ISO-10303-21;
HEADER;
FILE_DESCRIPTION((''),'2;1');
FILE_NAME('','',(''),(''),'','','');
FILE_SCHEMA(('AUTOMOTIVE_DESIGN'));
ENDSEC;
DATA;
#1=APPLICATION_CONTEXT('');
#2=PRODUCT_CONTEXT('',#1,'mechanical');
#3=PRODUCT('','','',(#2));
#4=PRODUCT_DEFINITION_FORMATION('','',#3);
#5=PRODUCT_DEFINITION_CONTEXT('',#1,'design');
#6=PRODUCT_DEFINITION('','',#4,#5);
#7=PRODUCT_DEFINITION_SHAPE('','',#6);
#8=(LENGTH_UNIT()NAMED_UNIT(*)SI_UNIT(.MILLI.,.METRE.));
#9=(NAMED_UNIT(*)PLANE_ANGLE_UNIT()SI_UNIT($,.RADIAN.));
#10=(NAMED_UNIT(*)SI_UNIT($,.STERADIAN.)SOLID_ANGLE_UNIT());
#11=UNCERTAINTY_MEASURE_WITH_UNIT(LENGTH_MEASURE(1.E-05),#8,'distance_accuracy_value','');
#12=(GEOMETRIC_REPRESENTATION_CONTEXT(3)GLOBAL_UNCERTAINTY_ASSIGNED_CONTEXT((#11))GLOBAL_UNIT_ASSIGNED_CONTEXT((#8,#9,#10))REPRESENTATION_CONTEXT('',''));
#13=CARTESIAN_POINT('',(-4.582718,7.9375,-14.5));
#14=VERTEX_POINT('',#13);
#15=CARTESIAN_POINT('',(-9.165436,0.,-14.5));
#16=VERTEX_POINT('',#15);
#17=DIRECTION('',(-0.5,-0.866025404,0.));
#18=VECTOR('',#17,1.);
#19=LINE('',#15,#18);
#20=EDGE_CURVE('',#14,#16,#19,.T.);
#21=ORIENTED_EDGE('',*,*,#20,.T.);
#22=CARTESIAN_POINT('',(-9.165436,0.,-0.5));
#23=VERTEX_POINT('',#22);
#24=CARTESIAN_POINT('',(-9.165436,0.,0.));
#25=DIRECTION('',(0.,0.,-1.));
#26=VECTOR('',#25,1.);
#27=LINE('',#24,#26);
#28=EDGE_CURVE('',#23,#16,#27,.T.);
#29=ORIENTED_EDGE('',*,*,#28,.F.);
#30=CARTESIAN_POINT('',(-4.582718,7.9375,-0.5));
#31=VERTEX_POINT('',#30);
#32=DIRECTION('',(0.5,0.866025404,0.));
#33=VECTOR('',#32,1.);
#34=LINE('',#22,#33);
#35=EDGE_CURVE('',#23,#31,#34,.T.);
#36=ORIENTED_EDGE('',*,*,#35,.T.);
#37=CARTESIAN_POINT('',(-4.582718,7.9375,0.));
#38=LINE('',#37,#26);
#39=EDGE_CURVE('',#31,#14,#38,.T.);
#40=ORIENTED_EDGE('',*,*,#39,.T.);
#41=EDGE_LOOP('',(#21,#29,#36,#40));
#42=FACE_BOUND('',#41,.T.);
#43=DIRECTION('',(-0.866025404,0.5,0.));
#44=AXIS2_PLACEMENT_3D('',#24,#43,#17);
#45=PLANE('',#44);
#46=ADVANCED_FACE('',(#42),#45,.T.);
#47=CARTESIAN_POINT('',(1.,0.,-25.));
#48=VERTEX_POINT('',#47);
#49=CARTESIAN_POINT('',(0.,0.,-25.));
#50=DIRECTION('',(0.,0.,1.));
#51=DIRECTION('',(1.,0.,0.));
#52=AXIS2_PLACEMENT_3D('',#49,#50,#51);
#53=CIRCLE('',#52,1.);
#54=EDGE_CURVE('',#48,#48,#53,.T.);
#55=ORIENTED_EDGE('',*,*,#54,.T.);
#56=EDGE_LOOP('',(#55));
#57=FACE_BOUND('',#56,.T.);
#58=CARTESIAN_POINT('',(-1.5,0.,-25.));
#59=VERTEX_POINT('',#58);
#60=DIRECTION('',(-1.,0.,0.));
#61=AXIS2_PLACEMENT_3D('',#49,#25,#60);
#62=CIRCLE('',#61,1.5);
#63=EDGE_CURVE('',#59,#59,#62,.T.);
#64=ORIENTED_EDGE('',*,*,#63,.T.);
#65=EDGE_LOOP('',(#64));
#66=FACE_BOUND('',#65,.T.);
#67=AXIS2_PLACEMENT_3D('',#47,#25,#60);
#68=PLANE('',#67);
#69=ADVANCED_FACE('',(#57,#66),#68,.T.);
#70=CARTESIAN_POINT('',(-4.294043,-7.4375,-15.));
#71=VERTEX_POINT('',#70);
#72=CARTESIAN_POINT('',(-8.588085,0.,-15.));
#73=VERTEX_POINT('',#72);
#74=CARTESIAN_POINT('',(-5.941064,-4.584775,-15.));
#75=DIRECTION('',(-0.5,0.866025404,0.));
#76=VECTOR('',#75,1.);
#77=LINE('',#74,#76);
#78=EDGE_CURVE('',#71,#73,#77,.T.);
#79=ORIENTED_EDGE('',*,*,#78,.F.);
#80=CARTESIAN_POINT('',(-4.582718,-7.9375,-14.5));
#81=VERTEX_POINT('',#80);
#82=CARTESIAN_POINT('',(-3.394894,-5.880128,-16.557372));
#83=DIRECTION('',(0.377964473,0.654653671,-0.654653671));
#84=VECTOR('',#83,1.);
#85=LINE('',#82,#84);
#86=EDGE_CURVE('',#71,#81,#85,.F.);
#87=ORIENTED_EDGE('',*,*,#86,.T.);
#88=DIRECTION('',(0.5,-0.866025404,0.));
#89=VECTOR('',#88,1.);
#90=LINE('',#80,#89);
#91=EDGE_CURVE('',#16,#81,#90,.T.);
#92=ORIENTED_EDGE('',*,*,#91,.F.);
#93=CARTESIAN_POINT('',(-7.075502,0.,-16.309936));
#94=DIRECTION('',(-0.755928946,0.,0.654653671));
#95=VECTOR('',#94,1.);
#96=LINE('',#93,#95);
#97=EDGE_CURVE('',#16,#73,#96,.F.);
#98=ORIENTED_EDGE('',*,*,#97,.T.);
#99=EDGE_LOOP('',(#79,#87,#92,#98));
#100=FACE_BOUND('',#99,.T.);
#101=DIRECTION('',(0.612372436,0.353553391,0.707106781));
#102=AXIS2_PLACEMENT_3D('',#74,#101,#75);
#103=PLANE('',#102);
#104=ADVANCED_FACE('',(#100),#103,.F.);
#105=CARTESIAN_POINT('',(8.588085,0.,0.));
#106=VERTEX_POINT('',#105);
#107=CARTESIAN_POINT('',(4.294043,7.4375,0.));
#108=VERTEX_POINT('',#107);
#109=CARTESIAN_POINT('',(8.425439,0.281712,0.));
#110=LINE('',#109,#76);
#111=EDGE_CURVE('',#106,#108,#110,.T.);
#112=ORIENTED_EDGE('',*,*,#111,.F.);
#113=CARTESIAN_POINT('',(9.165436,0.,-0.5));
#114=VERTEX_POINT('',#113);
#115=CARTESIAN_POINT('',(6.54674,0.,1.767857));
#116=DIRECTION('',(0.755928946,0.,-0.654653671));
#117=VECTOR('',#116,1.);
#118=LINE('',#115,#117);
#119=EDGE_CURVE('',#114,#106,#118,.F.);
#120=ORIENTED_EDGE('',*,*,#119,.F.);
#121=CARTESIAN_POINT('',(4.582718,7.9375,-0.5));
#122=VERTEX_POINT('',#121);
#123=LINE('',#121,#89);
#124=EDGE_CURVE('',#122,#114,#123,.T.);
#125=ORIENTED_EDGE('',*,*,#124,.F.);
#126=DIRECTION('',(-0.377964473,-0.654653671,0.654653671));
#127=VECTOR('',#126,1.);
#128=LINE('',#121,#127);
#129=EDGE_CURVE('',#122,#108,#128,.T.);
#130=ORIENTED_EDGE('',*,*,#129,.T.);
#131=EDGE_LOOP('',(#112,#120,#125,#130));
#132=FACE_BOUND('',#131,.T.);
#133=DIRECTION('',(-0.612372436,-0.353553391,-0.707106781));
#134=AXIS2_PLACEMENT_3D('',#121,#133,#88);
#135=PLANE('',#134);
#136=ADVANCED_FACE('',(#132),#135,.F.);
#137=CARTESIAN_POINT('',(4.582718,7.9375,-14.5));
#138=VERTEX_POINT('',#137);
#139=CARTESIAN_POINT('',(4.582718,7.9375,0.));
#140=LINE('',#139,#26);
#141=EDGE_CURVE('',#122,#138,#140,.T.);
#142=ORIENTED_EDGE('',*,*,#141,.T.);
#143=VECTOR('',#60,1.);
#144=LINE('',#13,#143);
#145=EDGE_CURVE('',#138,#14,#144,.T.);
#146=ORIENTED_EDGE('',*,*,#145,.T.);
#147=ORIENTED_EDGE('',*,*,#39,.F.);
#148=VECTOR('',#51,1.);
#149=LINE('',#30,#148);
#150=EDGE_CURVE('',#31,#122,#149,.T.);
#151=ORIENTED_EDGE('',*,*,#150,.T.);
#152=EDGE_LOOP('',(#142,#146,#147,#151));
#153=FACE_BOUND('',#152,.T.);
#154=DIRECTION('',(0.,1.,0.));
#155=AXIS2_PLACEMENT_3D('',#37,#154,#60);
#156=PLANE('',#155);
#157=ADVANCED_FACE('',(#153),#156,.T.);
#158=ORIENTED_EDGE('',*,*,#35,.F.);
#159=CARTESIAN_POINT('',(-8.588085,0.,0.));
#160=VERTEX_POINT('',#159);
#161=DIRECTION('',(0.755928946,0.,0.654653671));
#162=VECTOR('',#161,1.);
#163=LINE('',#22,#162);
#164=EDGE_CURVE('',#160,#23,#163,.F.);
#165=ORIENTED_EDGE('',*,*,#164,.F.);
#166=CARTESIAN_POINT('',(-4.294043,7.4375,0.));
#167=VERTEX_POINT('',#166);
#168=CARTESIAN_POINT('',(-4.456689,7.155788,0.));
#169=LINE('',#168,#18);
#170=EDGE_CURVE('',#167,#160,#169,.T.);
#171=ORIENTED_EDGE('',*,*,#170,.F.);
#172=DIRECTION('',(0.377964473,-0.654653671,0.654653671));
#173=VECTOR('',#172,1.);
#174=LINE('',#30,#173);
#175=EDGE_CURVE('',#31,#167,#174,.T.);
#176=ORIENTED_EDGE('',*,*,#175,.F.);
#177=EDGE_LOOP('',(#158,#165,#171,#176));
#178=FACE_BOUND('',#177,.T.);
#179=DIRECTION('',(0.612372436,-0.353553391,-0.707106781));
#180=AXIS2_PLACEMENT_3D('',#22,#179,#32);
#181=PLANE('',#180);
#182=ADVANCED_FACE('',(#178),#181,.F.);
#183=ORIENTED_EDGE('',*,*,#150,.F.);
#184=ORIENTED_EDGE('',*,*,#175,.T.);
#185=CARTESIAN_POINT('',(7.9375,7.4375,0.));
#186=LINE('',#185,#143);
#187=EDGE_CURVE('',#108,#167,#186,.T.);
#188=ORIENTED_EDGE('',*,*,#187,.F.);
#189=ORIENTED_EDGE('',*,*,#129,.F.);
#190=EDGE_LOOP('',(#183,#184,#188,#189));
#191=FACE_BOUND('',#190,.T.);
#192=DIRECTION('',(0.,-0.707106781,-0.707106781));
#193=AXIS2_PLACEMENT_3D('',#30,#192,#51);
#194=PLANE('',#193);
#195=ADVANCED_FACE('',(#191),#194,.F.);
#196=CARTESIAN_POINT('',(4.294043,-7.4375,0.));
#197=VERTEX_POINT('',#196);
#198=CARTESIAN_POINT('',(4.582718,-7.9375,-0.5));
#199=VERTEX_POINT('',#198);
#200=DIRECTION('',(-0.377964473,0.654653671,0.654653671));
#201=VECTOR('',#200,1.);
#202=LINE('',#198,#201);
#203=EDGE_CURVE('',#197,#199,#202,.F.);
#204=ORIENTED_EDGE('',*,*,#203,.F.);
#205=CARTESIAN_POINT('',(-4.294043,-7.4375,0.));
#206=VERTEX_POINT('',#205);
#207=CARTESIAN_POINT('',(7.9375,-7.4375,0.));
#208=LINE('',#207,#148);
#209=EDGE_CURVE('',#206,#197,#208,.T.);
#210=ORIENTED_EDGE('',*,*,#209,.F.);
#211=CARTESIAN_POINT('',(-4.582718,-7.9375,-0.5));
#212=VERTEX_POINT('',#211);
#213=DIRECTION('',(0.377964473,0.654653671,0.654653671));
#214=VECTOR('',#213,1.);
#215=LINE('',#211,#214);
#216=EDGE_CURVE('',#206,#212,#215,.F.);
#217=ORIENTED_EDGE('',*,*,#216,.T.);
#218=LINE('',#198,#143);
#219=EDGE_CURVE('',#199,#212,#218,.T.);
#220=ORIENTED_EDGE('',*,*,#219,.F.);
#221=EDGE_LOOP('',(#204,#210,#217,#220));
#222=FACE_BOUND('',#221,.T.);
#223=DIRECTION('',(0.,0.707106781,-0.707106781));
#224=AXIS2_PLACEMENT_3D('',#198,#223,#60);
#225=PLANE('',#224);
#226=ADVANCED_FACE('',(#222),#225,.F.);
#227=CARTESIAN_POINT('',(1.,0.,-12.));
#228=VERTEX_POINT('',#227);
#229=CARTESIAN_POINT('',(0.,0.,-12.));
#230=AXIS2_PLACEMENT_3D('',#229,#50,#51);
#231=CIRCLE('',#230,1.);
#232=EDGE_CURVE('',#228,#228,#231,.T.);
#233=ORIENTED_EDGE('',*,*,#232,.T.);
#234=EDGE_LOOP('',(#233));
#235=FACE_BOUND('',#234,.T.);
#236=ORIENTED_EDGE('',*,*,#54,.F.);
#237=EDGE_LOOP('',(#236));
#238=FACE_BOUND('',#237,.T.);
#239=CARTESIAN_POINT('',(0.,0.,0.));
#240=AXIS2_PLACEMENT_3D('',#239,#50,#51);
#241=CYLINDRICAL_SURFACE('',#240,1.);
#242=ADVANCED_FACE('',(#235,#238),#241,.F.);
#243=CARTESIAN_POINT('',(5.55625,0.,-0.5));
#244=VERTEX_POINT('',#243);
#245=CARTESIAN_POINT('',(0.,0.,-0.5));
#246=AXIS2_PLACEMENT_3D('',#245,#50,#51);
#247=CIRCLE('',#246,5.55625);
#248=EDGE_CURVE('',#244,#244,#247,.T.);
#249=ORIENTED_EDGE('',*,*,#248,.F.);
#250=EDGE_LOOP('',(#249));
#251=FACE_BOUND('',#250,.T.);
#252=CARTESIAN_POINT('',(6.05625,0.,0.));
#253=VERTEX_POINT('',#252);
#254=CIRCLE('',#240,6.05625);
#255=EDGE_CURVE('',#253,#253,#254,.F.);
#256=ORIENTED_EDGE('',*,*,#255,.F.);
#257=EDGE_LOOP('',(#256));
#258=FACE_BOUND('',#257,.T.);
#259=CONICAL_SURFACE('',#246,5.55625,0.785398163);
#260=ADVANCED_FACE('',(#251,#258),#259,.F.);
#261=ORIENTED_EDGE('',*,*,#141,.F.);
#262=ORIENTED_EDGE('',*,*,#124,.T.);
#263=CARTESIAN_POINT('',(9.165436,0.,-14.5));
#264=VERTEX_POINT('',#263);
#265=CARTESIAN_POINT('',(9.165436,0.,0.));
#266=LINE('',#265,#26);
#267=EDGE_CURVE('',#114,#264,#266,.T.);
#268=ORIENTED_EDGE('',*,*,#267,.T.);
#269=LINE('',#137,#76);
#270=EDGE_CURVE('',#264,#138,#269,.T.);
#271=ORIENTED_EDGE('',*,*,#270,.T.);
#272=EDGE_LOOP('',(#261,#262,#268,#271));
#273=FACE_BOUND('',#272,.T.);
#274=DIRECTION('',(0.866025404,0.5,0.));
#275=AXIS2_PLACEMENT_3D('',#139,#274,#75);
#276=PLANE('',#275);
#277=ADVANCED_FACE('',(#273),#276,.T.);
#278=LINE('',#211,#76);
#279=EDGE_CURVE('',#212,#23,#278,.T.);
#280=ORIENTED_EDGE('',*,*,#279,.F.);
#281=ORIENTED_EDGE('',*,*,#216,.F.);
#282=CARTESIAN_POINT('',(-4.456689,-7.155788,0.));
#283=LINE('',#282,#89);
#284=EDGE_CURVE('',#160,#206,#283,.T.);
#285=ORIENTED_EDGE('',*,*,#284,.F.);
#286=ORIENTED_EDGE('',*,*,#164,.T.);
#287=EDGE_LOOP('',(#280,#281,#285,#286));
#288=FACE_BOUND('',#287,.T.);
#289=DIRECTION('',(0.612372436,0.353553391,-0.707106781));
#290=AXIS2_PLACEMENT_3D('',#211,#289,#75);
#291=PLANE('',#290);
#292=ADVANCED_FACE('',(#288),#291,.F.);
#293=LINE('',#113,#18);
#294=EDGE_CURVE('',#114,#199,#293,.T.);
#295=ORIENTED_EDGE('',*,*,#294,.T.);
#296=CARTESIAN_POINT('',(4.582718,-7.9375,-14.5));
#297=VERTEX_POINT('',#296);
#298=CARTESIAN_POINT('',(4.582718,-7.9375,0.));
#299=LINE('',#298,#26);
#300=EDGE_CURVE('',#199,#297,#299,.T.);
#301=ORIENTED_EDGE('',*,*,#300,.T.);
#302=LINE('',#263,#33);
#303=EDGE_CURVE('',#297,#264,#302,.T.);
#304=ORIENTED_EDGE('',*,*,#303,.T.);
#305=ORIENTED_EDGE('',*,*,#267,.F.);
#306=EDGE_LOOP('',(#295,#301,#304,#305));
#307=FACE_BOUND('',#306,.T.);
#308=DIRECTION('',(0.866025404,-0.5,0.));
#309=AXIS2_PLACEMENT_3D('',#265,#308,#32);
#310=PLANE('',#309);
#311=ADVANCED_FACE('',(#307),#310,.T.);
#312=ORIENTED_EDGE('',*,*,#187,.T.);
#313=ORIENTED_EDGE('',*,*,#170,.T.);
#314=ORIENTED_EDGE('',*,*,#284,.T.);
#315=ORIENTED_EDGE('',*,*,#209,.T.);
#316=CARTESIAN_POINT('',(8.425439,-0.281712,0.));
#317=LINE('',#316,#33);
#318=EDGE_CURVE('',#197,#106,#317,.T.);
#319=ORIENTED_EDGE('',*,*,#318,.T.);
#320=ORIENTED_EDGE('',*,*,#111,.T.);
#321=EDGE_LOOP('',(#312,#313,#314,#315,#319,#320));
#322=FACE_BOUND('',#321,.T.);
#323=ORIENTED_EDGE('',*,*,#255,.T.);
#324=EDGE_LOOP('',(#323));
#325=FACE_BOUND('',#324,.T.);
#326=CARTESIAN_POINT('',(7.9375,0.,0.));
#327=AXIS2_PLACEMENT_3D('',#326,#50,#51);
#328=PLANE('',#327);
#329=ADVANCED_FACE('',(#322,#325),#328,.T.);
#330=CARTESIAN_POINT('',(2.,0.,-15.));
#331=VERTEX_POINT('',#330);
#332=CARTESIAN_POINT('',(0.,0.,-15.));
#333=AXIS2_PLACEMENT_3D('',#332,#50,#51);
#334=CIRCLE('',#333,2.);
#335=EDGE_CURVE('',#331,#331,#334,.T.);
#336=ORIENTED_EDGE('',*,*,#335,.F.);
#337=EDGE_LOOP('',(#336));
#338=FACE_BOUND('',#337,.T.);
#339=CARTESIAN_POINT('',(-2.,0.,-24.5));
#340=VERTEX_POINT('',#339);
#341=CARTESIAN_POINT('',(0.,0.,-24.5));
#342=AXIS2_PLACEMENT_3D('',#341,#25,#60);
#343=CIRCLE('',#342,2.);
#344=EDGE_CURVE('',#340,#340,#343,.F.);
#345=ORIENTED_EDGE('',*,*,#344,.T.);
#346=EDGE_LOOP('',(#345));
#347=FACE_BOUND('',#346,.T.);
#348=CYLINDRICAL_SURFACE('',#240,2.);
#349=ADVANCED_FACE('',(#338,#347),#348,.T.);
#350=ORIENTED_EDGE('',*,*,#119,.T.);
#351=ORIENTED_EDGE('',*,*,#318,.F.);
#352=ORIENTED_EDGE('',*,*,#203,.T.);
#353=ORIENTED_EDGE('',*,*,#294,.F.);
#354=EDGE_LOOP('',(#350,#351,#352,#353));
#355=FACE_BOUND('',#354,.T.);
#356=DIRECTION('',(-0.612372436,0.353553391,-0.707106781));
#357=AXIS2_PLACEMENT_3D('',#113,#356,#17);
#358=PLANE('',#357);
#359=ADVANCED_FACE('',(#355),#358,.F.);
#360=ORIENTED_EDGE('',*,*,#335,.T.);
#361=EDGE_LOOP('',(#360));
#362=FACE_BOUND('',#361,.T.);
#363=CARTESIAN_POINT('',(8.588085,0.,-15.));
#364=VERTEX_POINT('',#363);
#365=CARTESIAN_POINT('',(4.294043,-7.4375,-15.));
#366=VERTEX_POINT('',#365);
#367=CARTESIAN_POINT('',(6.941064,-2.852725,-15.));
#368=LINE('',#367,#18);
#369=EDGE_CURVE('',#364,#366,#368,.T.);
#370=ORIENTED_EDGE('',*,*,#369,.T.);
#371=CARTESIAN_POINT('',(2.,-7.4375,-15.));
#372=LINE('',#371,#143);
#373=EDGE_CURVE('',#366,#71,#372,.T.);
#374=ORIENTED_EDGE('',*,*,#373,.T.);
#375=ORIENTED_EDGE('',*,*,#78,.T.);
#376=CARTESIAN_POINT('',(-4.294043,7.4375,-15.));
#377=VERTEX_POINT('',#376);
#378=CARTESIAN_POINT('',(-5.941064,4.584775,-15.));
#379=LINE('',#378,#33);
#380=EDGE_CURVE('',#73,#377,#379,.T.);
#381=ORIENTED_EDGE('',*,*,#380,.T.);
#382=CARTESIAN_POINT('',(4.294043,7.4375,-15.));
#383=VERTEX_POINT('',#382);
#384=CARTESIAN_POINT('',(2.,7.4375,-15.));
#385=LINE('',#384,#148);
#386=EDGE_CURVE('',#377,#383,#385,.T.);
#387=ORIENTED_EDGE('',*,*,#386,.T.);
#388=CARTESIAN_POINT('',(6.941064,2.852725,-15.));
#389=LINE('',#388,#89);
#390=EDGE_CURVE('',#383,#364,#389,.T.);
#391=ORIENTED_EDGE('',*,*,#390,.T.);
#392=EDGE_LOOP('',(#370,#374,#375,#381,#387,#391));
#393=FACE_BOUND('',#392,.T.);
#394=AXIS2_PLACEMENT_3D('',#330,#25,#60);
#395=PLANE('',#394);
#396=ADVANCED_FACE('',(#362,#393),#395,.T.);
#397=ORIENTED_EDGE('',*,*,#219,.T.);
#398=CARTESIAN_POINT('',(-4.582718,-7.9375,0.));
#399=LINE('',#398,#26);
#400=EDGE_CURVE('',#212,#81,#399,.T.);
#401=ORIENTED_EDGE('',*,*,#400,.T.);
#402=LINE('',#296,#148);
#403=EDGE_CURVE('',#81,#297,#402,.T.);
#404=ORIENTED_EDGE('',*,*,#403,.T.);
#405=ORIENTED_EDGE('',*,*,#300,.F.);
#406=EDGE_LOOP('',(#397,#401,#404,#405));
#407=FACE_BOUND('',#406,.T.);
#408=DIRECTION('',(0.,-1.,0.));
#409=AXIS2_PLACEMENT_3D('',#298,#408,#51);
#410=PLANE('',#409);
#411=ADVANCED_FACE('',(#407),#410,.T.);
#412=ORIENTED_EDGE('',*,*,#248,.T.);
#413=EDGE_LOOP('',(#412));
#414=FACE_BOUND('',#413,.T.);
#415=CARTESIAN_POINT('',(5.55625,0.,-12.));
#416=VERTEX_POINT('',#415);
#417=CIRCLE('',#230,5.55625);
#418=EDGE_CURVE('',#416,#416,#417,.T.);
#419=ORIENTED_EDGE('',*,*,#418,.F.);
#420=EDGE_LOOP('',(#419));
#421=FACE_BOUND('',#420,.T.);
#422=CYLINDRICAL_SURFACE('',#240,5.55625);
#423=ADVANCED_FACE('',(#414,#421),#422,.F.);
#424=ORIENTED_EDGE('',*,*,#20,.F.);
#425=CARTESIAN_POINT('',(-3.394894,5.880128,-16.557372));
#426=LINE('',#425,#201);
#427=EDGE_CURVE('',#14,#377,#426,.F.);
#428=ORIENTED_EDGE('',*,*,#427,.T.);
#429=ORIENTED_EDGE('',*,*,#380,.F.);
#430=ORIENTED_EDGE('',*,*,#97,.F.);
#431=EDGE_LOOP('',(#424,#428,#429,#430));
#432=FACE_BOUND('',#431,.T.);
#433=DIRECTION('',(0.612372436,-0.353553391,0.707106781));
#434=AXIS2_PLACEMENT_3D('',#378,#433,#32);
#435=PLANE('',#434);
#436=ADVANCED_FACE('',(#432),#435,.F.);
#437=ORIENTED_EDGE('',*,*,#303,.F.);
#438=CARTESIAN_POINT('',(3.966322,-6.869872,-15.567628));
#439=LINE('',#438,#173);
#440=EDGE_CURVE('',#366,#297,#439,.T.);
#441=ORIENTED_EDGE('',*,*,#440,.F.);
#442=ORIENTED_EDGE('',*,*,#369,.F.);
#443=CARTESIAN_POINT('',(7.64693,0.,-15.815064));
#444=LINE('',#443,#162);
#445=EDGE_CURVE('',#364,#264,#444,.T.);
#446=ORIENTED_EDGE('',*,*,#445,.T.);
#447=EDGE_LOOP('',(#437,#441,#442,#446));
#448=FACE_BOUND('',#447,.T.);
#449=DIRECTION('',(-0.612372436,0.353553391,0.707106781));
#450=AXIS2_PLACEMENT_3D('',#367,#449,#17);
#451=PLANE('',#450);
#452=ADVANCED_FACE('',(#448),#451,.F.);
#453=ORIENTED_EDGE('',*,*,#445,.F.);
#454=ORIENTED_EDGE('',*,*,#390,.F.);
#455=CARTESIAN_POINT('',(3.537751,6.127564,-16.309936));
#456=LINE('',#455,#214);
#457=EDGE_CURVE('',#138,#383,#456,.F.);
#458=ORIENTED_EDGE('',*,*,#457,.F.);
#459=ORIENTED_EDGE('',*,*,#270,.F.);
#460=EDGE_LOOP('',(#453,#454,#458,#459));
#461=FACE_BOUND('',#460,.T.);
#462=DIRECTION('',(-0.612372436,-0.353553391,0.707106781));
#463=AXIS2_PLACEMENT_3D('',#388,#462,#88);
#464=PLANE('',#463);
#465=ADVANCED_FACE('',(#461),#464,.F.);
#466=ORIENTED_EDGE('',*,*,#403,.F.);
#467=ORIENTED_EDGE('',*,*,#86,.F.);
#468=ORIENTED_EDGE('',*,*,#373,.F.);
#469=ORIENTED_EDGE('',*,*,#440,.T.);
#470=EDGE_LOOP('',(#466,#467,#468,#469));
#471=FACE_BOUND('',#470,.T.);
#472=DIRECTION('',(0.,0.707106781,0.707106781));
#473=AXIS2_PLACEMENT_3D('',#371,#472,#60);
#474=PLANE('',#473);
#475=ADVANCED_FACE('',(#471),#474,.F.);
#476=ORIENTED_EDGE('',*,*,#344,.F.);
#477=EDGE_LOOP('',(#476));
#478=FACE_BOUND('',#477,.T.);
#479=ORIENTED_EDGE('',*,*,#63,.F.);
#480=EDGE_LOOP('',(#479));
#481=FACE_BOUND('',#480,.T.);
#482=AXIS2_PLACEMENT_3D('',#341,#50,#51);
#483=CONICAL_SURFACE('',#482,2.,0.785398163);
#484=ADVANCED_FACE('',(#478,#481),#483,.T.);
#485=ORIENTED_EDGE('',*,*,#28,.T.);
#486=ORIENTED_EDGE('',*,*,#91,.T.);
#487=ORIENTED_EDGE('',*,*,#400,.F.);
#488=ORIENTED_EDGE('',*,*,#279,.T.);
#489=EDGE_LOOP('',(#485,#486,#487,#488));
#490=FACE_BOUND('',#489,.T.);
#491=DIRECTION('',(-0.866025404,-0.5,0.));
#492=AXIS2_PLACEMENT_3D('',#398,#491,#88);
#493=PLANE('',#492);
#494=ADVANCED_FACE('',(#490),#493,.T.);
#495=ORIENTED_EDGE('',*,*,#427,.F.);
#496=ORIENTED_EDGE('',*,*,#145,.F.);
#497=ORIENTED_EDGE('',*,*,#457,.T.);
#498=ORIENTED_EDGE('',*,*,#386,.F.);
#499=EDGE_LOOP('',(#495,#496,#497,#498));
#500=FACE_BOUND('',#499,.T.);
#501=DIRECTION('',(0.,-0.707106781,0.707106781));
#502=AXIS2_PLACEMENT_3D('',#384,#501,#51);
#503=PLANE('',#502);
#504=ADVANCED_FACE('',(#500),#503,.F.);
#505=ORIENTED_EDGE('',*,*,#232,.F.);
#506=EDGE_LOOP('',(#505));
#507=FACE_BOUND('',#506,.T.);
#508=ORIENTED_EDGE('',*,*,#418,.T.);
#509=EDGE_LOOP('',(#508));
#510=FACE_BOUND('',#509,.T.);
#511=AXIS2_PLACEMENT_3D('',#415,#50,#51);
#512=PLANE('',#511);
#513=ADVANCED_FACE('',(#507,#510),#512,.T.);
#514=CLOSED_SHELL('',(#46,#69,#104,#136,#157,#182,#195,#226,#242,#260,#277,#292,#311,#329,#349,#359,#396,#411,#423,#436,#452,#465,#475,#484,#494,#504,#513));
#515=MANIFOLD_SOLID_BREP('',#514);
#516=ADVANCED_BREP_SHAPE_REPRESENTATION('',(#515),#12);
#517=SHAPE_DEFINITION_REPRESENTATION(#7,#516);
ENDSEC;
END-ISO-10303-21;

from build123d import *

# Parameters (mm, degrees)
SKETCH2_R           = 5.55625
BOSS_EXTRUDE1_DEPTH = 15
CHAMFER1_SIZE       = 0.5


with BuildPart() as part:
    # Sketch1 → Revolve1 (revolve)
    with BuildSketch(Plane(origin=(0, 0, 0), x_dir=(1, 0, 0), z_dir=(0, 1, 0))):
        Polygon((1, 25), (2, 25), (2, 15), (7.9375, 15), (7.9375, 0), (5.55625, 0), (5.55625, 12), (1, 12), align=None)
    revolve(axis=Axis((0, 0, 0), (0, 0, -1)))

    # Sketch2 → Boss-Extrude1 (add, through all)
    with BuildSketch(Plane(origin=(0, 0, -15), x_dir=(-1, 0, 0), z_dir=(0, 0, -1))):
        Polygon((9.165435523, 0), (4.582717762, 7.9375), (-4.582717762, 7.9375), (-9.165435523, 0), (-4.582717762, -7.9375), (4.582717762, -7.9375), align=None)
        with Locations(Location((0, 0, 0), (0, 0, 180))):
            Circle(SKETCH2_R, mode=Mode.SUBTRACT)
    extrude(amount=-BOSS_EXTRUDE1_DEPTH)

    # Chamfer1
    chamfer1_edges = [part.edges().sort_by_distance(p)[0] for p in [
        (-6.874076643, -3.96875, -15),
        (0, -7.9375, -15),
        (6.874076643, -3.96875, -15),
        (6.874076643, 3.96875, -15),
        (0, 7.9375, -15),
        (-6.874076643, 3.96875, -15),
        (-6.874076643, -3.96875, 0),
        (0, -7.9375, 0),
        (6.874076643, -3.96875, 0),
        (6.874076643, 3.96875, 0),
        (0, 7.9375, 0),
        (-6.874076643, 3.96875, 0),
        (-5.55625, 0, 0),
        (-2, 0, -25),
    ]]
    chamfer(chamfer1_edges, length=CHAMFER1_SIZE)


solid = part.part
